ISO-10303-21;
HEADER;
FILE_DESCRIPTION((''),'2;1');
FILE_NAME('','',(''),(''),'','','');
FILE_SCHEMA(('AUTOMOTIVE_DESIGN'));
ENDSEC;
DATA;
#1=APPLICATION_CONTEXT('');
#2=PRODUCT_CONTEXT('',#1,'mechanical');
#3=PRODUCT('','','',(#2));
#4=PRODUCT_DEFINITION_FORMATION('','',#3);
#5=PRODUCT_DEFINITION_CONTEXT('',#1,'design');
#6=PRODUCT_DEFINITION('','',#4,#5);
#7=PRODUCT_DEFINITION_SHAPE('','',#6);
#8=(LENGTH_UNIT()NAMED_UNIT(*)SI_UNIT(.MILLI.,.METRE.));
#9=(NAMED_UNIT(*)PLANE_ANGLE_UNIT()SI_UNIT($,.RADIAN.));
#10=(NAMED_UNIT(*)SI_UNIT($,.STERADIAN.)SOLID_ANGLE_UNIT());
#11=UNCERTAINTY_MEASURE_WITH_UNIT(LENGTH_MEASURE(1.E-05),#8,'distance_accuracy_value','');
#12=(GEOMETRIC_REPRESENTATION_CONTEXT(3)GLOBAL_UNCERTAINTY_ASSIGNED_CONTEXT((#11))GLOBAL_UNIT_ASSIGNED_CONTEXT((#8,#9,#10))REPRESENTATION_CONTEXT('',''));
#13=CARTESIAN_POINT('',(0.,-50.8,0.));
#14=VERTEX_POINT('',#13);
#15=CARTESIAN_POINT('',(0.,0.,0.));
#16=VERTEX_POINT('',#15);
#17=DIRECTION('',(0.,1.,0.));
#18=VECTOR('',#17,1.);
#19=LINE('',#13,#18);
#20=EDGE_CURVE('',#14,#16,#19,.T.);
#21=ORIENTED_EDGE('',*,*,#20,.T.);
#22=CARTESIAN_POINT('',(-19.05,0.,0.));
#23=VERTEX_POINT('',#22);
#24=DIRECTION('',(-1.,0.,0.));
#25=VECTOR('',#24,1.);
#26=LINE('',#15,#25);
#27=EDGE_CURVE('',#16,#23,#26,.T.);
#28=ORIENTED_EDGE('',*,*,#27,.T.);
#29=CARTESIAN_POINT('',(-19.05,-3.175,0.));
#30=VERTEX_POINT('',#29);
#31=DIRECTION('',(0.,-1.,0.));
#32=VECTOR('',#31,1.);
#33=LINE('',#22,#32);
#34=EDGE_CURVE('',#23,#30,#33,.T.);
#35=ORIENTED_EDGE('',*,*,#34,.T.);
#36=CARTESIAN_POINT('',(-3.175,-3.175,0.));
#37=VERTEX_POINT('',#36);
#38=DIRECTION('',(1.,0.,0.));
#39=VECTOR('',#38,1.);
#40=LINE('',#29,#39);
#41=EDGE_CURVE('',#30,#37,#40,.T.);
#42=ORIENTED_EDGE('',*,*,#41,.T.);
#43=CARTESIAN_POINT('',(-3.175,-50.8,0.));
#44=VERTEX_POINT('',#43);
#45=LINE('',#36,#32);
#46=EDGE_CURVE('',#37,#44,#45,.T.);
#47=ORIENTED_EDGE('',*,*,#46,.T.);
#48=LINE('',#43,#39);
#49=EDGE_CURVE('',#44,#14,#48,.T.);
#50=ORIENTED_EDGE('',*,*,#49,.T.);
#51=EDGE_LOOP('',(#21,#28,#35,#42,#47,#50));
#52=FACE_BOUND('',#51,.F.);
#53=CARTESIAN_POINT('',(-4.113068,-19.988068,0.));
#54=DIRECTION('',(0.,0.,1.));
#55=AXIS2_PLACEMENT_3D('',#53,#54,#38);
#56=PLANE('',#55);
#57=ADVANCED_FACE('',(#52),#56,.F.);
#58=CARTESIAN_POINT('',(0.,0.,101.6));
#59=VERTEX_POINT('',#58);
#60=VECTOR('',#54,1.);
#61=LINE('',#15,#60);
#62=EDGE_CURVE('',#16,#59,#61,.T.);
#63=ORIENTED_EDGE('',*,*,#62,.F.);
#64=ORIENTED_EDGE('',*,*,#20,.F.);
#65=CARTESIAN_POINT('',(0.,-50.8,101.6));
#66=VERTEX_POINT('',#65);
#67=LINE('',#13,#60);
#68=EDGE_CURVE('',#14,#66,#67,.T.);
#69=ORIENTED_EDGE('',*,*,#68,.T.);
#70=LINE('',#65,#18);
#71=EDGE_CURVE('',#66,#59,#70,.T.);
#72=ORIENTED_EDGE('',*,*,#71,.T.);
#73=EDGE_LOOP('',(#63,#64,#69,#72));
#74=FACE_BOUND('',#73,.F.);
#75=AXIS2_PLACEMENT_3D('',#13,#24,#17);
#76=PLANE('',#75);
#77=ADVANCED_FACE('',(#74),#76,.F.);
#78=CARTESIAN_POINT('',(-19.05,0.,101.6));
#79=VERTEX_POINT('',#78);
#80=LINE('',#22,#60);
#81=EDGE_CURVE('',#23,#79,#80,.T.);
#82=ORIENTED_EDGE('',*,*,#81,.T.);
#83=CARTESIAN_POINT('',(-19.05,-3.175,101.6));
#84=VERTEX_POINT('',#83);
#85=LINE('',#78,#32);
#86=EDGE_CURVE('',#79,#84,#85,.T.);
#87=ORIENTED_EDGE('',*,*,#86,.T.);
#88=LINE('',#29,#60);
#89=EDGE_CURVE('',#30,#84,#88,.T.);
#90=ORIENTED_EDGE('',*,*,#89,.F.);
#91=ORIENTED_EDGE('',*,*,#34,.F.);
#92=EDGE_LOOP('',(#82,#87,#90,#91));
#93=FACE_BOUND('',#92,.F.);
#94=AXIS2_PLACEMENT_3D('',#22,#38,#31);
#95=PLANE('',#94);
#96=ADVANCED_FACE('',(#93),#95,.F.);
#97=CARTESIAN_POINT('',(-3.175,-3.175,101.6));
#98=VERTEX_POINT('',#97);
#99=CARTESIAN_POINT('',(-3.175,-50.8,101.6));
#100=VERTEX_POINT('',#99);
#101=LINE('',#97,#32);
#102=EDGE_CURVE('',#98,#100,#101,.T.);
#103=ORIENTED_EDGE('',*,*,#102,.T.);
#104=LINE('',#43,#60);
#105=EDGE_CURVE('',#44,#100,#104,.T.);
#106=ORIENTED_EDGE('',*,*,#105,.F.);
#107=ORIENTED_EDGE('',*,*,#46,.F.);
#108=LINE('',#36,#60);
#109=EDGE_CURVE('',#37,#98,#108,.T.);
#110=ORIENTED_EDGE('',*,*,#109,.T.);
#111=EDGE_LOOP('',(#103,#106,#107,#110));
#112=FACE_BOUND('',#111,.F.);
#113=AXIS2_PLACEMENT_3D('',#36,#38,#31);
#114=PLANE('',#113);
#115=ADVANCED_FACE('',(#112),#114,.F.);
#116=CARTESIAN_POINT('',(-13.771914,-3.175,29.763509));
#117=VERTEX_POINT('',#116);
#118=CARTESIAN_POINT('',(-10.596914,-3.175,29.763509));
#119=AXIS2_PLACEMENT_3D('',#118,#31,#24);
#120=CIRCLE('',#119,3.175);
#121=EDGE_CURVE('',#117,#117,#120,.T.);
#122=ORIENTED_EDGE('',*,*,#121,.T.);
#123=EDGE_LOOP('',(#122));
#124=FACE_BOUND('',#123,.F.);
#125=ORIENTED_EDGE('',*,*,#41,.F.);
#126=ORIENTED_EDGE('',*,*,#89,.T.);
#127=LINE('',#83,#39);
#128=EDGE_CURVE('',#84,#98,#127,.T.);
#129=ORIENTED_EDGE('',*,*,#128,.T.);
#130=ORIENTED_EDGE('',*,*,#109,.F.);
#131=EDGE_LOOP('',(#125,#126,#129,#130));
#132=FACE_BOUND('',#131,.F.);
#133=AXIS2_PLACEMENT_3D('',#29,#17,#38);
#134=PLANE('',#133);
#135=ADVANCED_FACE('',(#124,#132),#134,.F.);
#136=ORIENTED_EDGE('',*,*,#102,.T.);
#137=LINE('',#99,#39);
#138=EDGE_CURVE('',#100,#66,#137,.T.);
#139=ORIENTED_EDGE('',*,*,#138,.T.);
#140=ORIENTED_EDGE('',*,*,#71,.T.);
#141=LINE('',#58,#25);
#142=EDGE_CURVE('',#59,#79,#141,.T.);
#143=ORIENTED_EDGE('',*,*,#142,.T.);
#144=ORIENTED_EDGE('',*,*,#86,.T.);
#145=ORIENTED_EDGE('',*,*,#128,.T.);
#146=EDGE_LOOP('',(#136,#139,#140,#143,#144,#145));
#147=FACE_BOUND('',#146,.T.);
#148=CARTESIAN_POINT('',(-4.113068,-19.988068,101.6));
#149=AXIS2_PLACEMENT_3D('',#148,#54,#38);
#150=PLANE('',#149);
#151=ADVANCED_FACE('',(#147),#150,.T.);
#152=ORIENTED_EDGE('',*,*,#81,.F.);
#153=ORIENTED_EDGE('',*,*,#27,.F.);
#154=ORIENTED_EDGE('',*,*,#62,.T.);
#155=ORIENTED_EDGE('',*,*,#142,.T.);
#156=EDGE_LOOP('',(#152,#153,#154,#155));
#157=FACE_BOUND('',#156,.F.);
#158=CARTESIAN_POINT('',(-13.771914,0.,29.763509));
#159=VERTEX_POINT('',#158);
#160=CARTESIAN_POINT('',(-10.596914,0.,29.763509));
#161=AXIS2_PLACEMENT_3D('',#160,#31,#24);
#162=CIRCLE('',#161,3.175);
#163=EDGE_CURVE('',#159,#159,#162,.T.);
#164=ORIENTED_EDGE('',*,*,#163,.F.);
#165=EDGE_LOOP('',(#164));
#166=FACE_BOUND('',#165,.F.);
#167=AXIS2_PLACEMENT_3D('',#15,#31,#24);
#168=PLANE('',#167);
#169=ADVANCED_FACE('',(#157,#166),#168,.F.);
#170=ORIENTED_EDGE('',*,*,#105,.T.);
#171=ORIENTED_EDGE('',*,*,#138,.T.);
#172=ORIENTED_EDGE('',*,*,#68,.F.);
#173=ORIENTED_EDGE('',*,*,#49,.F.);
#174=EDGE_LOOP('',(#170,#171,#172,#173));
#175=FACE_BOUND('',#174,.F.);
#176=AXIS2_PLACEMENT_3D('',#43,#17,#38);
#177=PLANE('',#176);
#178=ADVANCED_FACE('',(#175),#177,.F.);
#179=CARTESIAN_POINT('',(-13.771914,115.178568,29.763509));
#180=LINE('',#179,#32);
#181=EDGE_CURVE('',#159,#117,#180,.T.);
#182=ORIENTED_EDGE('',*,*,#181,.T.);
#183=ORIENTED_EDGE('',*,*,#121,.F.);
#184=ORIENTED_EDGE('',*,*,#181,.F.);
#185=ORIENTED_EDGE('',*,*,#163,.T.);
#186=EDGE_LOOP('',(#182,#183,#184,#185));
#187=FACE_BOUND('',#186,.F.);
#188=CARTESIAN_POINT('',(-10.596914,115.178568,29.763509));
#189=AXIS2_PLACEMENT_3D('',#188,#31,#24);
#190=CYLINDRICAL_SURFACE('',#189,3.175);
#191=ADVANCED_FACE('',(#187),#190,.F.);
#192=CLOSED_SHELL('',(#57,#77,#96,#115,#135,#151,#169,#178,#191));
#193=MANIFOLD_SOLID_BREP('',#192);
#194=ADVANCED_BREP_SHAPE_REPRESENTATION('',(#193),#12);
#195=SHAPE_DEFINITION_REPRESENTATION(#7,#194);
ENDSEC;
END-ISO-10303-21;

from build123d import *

# Parameters (mm, degrees)
F1_DEPTH = 101.6
F3_D     = 6.35


with BuildPart() as f1:
    # F0 (on Top) → F1 (new body)
    with BuildSketch(Plane.XY):
        Polygon((0, 0), (-19.05, 0), (-19.05, -3.175), (-3.175, -3.175), (-3.175, -50.8), (0, -50.8), align=None)
    extrude(amount=F1_DEPTH)

    # F3 (through all)
    with Locations(Plane(origin=(0, 0, 0), x_dir=(1, 0, 0), z_dir=(0, 1, 0))):
        with Locations((-10.5969142169, -29.7635085881)):
            Hole(F3_D / 2)


solid = f1.part
